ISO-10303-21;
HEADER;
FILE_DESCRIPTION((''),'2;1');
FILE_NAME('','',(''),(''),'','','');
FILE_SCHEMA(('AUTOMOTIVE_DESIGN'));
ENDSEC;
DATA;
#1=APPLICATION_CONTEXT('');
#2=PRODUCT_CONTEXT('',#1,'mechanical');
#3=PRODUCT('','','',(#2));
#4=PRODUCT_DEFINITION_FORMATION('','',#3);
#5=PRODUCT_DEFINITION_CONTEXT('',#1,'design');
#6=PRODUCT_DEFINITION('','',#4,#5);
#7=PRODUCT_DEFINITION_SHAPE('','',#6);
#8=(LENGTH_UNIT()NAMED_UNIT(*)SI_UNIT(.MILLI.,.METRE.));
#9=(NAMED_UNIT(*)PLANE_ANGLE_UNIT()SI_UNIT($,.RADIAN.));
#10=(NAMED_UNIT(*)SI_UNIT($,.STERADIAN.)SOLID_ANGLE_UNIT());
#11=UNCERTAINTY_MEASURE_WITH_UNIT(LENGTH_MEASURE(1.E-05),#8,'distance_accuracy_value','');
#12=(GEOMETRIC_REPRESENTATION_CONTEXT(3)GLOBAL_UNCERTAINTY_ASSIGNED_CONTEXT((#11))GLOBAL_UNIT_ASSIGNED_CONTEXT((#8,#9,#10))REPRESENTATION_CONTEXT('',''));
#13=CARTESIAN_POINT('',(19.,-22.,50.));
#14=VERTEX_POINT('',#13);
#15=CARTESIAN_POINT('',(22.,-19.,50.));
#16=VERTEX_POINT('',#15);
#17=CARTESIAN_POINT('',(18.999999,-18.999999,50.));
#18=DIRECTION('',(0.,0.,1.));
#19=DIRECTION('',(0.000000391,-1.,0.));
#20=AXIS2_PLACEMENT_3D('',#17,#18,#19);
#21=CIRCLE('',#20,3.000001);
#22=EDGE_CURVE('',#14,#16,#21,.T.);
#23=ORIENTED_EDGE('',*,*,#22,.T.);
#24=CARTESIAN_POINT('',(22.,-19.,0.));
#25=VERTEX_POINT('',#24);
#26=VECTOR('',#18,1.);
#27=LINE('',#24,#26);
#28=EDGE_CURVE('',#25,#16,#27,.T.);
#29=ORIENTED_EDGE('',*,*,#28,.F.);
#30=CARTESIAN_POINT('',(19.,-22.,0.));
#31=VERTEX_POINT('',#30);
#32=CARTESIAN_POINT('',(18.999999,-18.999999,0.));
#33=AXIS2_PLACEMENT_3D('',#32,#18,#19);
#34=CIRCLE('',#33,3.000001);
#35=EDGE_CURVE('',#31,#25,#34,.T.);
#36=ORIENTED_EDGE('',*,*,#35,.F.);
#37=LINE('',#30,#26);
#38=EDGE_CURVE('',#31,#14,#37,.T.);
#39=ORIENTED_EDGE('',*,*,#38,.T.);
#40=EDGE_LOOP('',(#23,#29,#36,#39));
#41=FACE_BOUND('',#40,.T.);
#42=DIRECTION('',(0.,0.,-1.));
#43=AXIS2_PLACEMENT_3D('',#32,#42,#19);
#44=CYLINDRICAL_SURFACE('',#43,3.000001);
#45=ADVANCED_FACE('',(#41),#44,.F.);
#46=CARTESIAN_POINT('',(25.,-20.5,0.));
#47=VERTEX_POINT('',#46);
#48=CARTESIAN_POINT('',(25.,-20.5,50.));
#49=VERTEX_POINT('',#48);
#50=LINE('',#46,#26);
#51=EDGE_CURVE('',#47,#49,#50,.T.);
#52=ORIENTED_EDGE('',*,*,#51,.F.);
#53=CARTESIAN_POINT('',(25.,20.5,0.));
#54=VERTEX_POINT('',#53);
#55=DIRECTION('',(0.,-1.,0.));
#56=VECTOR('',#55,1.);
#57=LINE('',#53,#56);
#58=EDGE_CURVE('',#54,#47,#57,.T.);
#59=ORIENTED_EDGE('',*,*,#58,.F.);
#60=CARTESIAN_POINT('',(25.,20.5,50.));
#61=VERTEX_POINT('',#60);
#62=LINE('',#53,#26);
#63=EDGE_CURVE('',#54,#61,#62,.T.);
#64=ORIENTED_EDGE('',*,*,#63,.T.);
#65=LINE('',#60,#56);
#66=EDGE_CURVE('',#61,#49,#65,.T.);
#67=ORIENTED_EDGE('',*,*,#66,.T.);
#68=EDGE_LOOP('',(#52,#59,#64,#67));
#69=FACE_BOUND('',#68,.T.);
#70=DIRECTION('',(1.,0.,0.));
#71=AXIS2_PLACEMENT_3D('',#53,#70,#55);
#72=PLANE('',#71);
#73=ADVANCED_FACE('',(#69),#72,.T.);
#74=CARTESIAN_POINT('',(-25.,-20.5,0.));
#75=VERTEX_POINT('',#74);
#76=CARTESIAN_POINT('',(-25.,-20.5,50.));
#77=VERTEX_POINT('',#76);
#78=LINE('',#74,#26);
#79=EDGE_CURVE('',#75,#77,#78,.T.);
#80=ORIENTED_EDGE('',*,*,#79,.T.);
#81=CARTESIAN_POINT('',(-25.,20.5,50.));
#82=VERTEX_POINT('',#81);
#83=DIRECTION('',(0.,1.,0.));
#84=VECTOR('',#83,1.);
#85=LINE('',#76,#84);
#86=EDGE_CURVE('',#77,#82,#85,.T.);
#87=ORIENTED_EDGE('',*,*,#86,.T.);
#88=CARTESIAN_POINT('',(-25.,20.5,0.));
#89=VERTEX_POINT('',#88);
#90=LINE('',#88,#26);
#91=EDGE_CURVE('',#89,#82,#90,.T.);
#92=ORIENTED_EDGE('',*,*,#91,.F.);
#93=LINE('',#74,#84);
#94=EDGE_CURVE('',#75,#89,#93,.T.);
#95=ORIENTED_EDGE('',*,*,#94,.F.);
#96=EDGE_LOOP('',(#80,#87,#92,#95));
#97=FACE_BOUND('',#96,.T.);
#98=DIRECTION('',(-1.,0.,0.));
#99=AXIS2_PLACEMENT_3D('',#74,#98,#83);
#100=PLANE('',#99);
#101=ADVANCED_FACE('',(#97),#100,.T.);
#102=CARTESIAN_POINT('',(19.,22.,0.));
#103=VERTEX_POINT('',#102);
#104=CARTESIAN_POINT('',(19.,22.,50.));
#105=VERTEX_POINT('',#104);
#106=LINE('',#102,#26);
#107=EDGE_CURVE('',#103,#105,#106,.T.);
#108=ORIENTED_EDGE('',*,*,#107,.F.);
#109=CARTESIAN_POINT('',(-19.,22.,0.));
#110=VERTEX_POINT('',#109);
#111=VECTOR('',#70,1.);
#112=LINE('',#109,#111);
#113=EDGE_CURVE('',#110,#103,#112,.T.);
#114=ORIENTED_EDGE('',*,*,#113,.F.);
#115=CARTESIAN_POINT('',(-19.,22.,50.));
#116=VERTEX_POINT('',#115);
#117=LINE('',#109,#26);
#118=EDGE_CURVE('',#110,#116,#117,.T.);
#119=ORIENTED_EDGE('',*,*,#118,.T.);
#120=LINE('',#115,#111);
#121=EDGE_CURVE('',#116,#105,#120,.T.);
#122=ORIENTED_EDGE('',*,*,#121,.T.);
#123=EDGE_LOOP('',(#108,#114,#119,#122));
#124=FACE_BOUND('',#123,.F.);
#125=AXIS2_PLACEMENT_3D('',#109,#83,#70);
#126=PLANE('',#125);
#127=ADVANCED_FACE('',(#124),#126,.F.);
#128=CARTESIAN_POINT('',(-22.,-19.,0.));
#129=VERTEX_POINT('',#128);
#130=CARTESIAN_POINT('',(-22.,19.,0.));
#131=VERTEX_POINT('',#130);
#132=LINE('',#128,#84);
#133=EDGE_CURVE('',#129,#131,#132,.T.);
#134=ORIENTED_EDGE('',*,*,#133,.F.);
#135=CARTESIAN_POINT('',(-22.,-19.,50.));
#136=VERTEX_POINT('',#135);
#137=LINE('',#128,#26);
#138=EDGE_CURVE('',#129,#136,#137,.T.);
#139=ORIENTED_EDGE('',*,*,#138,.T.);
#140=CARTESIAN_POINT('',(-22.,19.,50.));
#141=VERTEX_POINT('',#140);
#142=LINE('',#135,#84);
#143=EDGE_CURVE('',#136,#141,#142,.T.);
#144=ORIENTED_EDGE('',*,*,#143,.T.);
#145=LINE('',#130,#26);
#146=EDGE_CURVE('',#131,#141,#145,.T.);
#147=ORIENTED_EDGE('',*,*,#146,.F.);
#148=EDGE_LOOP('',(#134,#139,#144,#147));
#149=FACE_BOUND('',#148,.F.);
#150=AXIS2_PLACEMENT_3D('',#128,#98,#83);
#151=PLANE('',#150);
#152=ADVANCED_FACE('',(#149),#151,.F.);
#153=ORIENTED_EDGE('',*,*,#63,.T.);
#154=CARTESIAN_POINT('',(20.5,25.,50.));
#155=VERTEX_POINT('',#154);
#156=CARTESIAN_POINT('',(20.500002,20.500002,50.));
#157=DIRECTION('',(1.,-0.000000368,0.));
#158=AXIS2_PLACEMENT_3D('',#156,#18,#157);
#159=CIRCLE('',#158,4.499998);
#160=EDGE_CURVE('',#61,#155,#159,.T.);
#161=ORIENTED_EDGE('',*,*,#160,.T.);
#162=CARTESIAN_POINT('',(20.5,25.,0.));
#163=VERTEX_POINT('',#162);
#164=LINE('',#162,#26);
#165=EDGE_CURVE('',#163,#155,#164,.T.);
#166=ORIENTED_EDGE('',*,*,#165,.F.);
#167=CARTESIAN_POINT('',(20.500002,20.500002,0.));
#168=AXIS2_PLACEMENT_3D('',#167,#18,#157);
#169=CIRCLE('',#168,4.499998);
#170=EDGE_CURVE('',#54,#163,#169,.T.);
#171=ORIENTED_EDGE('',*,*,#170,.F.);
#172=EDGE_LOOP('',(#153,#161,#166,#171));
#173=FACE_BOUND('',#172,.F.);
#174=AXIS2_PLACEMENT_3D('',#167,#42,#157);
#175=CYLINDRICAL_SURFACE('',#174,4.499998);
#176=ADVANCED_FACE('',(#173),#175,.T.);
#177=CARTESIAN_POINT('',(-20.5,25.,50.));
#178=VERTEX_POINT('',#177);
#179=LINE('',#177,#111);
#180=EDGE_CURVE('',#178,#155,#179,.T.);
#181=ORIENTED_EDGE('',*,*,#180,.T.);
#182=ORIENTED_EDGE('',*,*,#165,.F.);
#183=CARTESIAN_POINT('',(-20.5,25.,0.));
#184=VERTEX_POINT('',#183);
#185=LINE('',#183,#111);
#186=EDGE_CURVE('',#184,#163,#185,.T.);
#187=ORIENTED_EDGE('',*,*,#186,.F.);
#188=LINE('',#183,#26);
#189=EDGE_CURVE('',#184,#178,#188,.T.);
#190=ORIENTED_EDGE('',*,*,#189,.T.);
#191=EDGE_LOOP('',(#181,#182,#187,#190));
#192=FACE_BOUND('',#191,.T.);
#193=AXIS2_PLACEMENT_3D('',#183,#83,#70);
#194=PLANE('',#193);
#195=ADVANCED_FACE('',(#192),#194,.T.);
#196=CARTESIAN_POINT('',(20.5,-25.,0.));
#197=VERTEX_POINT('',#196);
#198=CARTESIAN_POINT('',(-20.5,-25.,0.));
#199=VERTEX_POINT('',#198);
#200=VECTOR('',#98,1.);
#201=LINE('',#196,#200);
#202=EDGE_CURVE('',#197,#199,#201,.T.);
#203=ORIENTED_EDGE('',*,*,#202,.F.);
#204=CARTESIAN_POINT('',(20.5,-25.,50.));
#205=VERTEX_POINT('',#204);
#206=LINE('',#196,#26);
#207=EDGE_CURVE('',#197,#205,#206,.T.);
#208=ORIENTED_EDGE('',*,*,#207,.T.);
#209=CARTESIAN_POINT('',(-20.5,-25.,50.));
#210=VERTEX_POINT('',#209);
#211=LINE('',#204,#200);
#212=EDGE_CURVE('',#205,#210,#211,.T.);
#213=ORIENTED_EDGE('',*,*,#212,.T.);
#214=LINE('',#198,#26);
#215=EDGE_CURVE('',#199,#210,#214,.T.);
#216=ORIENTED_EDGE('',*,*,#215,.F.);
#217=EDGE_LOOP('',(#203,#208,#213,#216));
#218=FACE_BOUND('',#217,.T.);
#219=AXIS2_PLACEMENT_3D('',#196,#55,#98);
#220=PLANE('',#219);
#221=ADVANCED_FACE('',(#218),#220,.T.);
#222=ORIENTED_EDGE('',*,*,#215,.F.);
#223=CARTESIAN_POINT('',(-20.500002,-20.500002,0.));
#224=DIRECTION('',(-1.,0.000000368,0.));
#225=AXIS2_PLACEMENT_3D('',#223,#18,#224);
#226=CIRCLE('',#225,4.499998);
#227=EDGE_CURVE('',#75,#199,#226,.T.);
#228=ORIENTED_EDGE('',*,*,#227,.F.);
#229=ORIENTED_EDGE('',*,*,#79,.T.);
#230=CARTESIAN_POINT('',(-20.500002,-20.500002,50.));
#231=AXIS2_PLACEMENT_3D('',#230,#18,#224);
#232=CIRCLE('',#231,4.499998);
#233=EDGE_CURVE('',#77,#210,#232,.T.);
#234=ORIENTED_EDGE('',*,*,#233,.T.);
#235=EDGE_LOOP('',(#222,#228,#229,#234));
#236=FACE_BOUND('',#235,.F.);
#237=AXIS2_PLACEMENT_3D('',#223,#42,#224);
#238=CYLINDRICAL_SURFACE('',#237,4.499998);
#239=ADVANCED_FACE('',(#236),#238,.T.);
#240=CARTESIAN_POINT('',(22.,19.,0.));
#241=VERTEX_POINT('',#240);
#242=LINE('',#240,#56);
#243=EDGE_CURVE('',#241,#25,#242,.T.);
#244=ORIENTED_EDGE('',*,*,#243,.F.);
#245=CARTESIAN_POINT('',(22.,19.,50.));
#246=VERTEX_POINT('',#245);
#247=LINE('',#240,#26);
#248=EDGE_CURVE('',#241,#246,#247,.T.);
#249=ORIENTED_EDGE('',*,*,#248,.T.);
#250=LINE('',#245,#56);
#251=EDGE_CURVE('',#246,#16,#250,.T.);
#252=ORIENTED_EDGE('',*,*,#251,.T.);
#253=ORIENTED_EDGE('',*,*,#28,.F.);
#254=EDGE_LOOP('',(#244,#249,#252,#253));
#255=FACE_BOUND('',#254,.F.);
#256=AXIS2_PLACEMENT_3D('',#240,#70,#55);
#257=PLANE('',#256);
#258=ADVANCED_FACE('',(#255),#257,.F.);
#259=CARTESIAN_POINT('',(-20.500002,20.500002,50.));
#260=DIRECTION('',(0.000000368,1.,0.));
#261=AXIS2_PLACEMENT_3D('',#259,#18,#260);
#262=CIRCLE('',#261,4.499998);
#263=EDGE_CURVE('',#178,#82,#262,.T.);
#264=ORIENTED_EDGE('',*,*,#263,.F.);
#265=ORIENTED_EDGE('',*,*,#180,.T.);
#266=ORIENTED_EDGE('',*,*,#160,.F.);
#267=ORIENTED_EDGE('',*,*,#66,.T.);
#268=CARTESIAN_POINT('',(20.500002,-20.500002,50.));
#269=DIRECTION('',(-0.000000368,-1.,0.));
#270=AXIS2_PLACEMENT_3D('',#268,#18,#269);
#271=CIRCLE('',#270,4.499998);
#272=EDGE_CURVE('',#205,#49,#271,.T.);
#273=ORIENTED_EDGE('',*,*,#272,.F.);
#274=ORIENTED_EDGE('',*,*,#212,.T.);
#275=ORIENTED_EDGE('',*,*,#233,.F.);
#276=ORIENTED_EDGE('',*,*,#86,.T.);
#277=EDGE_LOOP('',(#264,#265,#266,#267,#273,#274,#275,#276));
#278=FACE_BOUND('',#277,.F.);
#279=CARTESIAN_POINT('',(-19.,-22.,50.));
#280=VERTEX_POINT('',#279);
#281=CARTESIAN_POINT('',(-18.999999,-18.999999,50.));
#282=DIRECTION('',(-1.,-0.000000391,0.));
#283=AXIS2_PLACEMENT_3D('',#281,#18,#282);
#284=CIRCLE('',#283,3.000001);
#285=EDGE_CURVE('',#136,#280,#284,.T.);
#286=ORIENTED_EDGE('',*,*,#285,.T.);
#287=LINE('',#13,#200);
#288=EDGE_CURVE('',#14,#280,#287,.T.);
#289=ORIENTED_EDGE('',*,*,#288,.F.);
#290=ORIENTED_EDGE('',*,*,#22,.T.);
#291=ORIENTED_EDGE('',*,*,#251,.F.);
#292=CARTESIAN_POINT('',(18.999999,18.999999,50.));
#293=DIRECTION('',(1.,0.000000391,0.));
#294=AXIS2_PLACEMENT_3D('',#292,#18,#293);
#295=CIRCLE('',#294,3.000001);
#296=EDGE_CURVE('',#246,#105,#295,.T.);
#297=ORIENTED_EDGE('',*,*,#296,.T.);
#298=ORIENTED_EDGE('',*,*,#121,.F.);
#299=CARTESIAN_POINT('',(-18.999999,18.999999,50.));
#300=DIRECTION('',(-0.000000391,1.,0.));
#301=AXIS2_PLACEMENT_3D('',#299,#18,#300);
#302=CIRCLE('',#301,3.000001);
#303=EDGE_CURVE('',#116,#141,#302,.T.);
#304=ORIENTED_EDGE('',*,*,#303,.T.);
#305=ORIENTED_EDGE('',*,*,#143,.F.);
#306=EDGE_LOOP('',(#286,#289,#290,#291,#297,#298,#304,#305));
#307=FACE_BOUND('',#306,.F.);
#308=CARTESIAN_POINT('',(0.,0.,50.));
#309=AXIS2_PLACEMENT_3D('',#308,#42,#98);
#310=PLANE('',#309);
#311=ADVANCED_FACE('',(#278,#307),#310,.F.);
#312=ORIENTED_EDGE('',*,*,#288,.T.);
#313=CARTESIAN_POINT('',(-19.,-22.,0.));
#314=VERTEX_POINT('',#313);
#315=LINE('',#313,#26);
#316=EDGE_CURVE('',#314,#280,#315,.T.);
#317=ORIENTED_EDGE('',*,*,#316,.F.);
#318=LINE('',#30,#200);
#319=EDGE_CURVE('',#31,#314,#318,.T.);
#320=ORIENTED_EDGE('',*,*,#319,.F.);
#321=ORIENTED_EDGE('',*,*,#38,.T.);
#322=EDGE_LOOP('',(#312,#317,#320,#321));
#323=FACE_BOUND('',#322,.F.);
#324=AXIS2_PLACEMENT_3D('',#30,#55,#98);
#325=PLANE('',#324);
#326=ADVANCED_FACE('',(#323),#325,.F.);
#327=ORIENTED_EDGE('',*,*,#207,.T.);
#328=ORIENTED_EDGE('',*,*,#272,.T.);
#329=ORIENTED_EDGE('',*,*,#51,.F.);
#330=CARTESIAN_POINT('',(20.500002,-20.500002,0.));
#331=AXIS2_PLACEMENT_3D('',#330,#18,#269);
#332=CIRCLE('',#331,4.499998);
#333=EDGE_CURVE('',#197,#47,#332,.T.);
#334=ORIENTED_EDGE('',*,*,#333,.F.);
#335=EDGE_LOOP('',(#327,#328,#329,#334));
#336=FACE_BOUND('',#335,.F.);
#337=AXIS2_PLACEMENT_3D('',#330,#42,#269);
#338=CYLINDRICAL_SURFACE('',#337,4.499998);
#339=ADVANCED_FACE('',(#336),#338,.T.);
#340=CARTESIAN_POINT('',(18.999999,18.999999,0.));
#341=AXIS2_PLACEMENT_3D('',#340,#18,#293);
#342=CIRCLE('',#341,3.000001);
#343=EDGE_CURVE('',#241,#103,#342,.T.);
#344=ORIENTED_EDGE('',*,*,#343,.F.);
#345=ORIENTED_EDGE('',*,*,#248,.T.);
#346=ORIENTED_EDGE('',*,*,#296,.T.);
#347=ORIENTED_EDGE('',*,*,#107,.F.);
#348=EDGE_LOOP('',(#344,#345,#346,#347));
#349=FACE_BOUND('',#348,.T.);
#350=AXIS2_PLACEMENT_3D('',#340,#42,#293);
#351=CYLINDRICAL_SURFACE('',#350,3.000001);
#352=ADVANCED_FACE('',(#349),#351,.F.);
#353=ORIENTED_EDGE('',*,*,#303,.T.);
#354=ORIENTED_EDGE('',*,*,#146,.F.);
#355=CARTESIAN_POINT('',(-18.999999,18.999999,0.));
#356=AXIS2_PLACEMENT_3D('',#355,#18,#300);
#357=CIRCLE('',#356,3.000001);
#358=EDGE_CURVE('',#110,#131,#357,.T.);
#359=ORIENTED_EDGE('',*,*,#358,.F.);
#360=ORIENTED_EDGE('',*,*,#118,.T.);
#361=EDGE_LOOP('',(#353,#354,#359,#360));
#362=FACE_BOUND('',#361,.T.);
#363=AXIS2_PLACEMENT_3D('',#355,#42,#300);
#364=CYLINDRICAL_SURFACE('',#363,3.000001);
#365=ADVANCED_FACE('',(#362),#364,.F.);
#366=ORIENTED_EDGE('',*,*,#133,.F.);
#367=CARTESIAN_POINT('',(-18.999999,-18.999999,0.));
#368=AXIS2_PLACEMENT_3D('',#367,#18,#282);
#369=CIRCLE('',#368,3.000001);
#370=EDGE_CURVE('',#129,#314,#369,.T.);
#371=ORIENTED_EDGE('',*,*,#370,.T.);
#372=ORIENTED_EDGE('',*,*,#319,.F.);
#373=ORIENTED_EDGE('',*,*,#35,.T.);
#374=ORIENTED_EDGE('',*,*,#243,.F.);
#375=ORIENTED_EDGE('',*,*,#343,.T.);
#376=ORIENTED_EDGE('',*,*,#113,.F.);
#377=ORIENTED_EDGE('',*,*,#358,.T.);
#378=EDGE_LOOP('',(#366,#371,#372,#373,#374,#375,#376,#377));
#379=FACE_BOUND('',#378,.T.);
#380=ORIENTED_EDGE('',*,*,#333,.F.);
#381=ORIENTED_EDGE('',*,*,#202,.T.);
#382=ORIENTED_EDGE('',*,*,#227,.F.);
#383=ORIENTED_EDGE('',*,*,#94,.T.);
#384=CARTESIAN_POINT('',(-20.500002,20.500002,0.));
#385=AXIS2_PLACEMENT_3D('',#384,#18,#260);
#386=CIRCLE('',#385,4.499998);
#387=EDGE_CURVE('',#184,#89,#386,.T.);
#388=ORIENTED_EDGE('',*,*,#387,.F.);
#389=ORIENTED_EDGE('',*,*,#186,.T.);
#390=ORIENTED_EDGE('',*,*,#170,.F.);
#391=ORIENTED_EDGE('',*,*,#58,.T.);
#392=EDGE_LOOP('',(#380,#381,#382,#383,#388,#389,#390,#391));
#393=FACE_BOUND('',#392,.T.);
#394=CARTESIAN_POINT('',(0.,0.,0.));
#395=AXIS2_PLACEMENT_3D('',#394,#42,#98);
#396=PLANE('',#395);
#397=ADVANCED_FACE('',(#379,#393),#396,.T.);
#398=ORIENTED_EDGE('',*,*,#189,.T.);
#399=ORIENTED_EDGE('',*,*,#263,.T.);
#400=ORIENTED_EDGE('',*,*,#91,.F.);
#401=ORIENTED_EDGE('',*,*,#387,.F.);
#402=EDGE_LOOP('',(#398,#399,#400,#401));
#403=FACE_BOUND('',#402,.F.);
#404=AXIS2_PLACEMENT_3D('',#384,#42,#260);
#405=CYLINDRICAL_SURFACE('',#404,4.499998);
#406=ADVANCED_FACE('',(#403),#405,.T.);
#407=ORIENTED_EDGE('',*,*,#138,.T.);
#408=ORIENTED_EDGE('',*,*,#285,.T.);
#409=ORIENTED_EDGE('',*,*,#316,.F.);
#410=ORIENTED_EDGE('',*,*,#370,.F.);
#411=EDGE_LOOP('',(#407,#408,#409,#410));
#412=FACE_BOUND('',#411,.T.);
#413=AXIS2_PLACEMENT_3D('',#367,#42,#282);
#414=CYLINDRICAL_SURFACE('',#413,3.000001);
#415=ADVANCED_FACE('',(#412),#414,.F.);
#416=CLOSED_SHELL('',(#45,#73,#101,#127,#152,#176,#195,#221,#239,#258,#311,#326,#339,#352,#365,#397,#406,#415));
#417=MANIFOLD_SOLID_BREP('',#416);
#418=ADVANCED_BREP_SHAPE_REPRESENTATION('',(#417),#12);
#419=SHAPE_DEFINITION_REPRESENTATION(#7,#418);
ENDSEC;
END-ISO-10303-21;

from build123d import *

# Parameters (mm, degrees)
EXTRUDE_DEPTH = 50


with BuildPart() as part:
    # Sketch → Extrude (new body)
    with BuildSketch(Plane.XY):
        with BuildLine():
            Line((-20.5, 25), (20.5, 25))
            ThreePointArc((25, 20.5), (23.681981, 23.681981), (20.5, 25))
            Line((25, 20.5), (25, -20.5))
            ThreePointArc((20.5, -25), (23.681981, -23.681981), (25, -20.5))
            Line((20.5, -25), (-20.5, -25))
            ThreePointArc((-25, -20.5), (-23.681981, -23.681981), (-20.5, -25))
            Line((-25, -20.5), (-25, 20.5))
            ThreePointArc((-20.5, 25), (-23.681981, 23.681981), (-25, 20.5))
        make_face()
        with BuildLine():
            Line((-19, 22), (19, 22))
            ThreePointArc((22, 19), (21.12132, 21.12132), (19, 22))
            Line((22, 19), (22, -19))
            ThreePointArc((19, -22), (21.12132, -21.12132), (22, -19))
            Line((19, -22), (-19, -22))
            ThreePointArc((-22, -19), (-21.12132, -21.12132), (-19, -22))
            Line((-22, -19), (-22, 19))
            ThreePointArc((-19, 22), (-21.12132, 21.12132), (-22, 19))
        make_face(mode=Mode.SUBTRACT)
    extrude(amount=EXTRUDE_DEPTH)


solid = part.part
